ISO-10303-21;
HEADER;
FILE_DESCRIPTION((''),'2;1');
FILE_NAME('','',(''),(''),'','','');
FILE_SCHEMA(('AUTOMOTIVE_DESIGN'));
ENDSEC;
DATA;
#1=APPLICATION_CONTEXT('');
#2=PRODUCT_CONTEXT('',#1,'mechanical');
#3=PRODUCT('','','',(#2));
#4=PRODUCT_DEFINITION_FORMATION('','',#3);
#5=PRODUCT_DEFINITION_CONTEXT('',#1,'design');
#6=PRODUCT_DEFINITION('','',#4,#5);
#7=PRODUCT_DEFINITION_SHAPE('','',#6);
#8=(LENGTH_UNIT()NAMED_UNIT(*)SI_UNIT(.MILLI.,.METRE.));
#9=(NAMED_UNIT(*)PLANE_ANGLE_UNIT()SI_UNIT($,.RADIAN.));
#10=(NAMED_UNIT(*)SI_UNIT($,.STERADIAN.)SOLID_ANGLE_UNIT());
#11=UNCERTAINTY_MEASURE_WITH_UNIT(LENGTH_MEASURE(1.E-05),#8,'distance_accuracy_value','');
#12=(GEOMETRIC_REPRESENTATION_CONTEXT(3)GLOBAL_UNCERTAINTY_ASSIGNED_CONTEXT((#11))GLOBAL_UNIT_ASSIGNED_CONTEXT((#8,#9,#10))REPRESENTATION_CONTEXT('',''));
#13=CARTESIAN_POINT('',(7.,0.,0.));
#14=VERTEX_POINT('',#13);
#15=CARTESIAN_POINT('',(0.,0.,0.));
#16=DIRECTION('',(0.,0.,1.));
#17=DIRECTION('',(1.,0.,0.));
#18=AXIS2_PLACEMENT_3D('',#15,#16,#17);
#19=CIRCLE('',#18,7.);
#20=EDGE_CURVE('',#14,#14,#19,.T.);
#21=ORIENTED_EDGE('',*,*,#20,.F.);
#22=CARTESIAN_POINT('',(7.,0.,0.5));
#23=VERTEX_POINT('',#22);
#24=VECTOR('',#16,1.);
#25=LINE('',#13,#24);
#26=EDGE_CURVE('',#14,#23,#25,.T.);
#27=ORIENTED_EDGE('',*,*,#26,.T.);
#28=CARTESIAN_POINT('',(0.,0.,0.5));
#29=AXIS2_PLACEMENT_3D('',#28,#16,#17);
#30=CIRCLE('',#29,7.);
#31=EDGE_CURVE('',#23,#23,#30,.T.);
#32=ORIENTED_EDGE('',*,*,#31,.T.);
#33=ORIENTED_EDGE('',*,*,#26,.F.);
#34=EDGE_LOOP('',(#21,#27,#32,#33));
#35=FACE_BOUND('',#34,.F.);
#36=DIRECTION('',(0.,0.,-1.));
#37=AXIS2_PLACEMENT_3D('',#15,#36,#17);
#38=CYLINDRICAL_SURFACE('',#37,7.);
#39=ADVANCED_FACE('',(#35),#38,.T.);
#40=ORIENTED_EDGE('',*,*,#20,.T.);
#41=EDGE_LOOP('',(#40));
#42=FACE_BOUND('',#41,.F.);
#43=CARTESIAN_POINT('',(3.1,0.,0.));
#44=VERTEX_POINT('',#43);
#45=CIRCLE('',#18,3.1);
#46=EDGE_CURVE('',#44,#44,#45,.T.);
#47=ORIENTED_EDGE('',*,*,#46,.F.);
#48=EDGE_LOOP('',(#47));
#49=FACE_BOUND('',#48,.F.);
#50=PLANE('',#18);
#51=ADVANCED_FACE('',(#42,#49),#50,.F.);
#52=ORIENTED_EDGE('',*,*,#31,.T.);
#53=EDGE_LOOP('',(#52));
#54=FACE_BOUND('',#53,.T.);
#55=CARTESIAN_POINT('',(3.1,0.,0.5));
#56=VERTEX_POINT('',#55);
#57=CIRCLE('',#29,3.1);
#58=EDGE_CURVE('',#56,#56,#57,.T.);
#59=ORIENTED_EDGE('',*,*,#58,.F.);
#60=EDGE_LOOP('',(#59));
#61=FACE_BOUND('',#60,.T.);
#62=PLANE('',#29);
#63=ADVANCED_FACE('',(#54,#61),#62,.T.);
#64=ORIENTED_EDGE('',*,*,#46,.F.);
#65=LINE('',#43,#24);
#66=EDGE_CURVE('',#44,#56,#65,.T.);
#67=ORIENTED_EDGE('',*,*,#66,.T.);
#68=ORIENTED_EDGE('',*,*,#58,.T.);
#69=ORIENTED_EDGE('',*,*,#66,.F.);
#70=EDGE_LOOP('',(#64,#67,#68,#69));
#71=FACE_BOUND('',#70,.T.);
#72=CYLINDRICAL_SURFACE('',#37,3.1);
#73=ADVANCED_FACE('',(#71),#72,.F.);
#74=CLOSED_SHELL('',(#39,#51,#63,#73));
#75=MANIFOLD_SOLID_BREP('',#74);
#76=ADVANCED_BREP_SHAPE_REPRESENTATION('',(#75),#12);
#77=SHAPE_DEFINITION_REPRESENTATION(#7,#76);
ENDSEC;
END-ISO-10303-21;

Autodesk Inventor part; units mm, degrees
ref_plane "YZ Plane" through (0, 0, 0) normal (1, 0, 0) x (0, 1, 0)
ref_plane "XZ Plane" through (0, 0, 0) normal (0, 1, 0) x (-1, 0, 0)
ref_plane "XY Plane" through (0, 0, 0) normal (0, 0, 1) x (1, 0, 0)
sketch "スケッチ1" plane through (0, 0, 0) normal (0, 0, 1) x (1, 0, 0)
  circle A0 centre (0, 0) radius 3.1
  circle A1 centre (0, 0) radius 7
  dimension "d0" = 6.2
  dimension "d1" = 14
extrude "押し出し1" add sketch "スケッチ1" along normal blind 0.5
properties part number "UUW-0614-05BH" material "ステンレス鋼 AISI 304"
